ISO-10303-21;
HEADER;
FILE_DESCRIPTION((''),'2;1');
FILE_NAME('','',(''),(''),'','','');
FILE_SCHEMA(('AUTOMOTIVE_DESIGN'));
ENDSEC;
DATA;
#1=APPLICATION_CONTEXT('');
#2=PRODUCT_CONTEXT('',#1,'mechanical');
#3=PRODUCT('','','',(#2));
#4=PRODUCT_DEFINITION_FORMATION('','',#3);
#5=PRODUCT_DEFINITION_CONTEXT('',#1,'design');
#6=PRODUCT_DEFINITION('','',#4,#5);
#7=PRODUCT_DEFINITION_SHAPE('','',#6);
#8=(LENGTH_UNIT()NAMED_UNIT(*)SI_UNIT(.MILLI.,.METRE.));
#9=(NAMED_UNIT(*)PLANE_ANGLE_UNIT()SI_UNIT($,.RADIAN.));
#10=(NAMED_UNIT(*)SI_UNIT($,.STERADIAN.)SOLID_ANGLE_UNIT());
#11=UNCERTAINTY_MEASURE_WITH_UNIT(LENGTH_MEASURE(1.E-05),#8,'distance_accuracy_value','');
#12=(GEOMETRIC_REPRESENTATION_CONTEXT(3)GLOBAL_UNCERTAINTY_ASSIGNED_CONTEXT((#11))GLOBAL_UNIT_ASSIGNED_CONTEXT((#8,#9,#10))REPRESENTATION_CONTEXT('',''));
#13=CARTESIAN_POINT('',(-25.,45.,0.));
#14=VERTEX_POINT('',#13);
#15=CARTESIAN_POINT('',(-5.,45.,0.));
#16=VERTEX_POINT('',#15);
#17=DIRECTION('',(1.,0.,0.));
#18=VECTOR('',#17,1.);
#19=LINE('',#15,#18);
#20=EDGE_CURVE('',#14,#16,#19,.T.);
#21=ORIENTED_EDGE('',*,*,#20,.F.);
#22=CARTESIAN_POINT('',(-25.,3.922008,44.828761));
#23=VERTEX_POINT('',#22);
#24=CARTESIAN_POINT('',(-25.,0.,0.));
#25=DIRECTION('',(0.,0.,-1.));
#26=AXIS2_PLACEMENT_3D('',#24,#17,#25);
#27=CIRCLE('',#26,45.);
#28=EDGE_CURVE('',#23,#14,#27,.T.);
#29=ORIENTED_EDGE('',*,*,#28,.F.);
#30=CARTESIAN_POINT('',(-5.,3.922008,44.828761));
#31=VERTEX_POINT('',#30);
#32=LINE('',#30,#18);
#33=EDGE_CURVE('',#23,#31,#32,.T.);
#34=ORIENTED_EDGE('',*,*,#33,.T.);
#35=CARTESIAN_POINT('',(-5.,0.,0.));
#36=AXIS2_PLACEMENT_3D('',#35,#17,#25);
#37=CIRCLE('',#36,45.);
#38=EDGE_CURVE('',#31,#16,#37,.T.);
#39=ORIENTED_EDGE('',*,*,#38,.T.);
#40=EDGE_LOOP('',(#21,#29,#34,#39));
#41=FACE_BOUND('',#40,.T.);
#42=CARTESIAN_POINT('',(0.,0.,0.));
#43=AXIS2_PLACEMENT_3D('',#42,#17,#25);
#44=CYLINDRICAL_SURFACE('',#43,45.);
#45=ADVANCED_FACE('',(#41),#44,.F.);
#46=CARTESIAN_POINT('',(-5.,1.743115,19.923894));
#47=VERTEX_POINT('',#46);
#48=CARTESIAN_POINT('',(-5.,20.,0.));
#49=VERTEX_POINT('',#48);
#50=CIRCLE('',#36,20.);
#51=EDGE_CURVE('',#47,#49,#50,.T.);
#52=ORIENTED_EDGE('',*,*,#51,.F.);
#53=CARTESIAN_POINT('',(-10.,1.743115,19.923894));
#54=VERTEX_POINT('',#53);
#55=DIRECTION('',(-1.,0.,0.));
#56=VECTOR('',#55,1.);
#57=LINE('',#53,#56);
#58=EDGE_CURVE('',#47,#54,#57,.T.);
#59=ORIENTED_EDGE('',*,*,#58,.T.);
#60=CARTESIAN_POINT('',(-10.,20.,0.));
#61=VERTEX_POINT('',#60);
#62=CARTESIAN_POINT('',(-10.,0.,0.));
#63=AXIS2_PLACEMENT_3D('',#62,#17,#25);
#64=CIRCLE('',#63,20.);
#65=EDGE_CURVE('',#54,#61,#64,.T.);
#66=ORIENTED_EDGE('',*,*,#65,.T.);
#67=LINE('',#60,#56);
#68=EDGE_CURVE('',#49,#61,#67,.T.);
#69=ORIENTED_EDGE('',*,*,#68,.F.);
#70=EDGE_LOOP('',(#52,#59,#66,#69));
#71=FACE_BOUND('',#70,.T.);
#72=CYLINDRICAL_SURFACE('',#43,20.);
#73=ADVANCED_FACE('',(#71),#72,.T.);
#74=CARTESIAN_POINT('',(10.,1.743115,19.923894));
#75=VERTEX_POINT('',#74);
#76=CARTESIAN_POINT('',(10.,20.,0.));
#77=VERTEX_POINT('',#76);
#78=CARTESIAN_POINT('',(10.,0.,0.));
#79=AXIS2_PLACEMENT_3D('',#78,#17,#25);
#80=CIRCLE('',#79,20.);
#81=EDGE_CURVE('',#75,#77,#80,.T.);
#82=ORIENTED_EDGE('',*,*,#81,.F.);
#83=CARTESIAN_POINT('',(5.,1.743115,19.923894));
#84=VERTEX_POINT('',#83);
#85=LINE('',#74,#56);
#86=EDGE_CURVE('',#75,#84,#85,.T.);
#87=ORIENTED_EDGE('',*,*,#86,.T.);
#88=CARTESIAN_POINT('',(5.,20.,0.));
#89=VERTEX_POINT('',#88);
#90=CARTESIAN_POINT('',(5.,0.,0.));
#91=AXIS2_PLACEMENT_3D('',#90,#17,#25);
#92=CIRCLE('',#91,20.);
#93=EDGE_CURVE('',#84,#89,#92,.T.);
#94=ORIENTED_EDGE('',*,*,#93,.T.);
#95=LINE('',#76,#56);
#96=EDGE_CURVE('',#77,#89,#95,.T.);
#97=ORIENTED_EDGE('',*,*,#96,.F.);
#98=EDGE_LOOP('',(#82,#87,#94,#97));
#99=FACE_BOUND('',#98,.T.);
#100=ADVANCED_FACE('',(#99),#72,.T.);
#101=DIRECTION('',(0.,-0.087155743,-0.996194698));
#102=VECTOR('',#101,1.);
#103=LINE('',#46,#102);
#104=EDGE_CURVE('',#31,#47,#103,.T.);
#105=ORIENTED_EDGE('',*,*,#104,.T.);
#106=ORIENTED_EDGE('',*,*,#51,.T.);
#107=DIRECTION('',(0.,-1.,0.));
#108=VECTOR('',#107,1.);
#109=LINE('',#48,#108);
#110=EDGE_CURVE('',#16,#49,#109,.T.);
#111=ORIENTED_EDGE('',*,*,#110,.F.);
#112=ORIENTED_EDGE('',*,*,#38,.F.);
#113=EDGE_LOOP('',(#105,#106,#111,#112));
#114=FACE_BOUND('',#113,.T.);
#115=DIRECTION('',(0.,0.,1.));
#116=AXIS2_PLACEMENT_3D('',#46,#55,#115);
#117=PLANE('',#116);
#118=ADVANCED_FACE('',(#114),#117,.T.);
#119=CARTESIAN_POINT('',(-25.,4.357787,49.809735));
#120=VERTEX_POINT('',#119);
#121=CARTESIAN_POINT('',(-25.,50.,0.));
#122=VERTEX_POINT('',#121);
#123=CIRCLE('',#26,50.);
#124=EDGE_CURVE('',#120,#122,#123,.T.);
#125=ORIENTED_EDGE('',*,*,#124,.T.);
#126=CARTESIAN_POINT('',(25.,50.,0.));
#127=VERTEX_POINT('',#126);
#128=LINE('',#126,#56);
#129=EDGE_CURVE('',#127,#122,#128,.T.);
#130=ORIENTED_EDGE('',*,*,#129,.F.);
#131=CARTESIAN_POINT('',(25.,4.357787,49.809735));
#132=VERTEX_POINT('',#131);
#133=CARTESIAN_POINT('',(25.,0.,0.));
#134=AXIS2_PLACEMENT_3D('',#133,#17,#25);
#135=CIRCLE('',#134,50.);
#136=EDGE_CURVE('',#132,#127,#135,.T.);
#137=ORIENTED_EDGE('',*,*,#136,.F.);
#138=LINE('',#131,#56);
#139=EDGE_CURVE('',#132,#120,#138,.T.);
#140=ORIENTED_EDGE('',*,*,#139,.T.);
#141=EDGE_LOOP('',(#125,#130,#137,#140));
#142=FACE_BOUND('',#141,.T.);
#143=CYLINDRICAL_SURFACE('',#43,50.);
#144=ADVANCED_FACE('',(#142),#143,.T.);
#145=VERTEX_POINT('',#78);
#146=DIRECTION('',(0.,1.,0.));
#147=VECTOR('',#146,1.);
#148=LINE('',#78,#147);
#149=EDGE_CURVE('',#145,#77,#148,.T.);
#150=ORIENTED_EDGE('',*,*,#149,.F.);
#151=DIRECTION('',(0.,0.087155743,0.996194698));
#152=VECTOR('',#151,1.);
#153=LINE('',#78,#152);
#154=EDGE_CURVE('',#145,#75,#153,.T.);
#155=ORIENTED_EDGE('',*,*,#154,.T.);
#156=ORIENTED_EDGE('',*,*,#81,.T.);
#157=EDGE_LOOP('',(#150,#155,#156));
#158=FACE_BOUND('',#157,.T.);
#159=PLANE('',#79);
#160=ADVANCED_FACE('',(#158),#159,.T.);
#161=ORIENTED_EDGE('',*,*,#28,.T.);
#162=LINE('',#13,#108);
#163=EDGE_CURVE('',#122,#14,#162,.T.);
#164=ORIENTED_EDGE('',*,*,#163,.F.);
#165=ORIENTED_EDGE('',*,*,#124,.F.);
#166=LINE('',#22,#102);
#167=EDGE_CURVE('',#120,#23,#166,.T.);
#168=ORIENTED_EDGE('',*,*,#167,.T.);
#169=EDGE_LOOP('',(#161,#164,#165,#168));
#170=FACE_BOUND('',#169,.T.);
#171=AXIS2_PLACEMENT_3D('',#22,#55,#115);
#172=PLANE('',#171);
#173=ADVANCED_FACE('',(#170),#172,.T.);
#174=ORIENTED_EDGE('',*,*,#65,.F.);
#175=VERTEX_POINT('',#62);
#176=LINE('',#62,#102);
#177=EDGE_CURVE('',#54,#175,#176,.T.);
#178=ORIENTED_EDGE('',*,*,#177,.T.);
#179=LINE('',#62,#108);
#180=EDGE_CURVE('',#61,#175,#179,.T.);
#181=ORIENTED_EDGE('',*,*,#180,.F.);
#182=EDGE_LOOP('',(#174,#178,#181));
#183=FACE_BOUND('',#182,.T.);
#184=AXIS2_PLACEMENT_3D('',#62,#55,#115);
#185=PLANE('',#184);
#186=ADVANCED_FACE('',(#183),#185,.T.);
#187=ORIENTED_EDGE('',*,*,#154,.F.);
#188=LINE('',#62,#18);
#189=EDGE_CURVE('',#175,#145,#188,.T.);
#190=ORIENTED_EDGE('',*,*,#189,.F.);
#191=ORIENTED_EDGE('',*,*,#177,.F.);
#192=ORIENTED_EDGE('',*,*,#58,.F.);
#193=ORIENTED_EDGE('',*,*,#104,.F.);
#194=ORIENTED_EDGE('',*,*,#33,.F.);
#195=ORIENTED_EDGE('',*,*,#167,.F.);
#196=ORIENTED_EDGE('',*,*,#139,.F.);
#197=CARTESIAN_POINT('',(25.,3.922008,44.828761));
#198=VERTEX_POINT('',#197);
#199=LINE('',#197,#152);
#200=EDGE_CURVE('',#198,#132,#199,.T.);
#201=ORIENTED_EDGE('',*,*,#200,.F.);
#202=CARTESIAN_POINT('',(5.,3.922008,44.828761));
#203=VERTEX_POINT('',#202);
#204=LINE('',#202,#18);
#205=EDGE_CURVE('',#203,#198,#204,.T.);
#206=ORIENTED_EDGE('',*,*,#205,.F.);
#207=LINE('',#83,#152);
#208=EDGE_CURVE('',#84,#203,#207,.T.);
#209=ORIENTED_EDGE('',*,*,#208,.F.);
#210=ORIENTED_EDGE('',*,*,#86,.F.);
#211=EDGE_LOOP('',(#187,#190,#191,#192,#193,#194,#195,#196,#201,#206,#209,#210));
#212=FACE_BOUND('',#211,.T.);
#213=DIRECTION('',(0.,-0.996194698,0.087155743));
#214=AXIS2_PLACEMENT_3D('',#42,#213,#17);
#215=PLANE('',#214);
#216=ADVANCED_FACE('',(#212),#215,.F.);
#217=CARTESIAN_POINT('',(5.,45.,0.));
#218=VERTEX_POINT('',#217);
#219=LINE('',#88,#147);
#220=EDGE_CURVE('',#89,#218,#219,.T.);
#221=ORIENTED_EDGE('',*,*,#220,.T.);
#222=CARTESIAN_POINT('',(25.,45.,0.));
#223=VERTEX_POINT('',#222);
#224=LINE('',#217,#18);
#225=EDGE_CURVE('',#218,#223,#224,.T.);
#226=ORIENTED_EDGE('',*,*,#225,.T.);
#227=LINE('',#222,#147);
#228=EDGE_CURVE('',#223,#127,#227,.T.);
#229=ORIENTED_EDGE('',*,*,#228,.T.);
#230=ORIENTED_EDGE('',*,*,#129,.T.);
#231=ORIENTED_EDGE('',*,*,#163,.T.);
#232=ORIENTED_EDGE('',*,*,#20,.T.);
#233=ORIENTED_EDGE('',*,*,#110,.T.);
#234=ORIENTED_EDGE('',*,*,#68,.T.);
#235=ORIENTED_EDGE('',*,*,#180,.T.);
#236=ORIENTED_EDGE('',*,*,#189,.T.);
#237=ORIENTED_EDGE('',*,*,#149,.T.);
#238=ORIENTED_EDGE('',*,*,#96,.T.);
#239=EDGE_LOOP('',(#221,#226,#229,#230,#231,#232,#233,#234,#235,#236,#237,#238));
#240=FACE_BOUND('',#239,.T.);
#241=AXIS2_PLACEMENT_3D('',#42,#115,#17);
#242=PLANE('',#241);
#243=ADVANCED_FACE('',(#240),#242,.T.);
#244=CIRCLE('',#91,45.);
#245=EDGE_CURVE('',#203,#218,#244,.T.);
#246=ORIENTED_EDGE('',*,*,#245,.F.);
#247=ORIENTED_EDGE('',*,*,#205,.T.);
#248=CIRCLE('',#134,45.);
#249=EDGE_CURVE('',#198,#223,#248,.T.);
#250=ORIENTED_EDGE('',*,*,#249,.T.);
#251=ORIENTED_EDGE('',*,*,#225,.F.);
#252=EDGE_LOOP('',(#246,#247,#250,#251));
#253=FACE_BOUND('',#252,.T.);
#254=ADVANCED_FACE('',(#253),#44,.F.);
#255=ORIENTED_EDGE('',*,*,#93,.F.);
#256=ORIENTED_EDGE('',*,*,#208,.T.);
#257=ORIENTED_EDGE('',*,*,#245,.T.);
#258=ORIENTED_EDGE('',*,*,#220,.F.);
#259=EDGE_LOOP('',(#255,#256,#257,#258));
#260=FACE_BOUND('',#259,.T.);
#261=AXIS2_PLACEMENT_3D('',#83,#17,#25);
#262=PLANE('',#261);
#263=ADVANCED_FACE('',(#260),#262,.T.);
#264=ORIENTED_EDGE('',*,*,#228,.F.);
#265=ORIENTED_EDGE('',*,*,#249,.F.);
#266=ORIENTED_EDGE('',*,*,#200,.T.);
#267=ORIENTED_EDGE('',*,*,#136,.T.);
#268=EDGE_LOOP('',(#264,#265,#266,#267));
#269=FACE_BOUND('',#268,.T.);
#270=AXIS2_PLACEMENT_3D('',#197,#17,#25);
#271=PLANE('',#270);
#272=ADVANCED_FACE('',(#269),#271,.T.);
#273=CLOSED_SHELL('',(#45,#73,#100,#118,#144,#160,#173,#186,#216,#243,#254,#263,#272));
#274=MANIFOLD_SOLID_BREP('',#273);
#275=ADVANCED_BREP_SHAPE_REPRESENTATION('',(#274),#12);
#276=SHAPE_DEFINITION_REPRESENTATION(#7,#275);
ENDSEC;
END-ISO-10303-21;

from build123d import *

# Parameters (mm, degrees)
REVOLVE1_ANGLE = 275


with BuildPart() as part:
    # Sketch1 → Revolve1 (revolve)
    with BuildSketch(Plane.XY):
        Polygon((-10, 0), (10, 0), (10, 20), (5, 20), (5, 45), (25, 45), (25, 50), (-25, 50), (-25, 45), (-5, 45), (-5, 20), (-10, 20), align=None)
    revolve(axis=Axis((0, 0, 0), (-1, 0, 0)), revolution_arc=REVOLVE1_ANGLE)


solid = part.part
